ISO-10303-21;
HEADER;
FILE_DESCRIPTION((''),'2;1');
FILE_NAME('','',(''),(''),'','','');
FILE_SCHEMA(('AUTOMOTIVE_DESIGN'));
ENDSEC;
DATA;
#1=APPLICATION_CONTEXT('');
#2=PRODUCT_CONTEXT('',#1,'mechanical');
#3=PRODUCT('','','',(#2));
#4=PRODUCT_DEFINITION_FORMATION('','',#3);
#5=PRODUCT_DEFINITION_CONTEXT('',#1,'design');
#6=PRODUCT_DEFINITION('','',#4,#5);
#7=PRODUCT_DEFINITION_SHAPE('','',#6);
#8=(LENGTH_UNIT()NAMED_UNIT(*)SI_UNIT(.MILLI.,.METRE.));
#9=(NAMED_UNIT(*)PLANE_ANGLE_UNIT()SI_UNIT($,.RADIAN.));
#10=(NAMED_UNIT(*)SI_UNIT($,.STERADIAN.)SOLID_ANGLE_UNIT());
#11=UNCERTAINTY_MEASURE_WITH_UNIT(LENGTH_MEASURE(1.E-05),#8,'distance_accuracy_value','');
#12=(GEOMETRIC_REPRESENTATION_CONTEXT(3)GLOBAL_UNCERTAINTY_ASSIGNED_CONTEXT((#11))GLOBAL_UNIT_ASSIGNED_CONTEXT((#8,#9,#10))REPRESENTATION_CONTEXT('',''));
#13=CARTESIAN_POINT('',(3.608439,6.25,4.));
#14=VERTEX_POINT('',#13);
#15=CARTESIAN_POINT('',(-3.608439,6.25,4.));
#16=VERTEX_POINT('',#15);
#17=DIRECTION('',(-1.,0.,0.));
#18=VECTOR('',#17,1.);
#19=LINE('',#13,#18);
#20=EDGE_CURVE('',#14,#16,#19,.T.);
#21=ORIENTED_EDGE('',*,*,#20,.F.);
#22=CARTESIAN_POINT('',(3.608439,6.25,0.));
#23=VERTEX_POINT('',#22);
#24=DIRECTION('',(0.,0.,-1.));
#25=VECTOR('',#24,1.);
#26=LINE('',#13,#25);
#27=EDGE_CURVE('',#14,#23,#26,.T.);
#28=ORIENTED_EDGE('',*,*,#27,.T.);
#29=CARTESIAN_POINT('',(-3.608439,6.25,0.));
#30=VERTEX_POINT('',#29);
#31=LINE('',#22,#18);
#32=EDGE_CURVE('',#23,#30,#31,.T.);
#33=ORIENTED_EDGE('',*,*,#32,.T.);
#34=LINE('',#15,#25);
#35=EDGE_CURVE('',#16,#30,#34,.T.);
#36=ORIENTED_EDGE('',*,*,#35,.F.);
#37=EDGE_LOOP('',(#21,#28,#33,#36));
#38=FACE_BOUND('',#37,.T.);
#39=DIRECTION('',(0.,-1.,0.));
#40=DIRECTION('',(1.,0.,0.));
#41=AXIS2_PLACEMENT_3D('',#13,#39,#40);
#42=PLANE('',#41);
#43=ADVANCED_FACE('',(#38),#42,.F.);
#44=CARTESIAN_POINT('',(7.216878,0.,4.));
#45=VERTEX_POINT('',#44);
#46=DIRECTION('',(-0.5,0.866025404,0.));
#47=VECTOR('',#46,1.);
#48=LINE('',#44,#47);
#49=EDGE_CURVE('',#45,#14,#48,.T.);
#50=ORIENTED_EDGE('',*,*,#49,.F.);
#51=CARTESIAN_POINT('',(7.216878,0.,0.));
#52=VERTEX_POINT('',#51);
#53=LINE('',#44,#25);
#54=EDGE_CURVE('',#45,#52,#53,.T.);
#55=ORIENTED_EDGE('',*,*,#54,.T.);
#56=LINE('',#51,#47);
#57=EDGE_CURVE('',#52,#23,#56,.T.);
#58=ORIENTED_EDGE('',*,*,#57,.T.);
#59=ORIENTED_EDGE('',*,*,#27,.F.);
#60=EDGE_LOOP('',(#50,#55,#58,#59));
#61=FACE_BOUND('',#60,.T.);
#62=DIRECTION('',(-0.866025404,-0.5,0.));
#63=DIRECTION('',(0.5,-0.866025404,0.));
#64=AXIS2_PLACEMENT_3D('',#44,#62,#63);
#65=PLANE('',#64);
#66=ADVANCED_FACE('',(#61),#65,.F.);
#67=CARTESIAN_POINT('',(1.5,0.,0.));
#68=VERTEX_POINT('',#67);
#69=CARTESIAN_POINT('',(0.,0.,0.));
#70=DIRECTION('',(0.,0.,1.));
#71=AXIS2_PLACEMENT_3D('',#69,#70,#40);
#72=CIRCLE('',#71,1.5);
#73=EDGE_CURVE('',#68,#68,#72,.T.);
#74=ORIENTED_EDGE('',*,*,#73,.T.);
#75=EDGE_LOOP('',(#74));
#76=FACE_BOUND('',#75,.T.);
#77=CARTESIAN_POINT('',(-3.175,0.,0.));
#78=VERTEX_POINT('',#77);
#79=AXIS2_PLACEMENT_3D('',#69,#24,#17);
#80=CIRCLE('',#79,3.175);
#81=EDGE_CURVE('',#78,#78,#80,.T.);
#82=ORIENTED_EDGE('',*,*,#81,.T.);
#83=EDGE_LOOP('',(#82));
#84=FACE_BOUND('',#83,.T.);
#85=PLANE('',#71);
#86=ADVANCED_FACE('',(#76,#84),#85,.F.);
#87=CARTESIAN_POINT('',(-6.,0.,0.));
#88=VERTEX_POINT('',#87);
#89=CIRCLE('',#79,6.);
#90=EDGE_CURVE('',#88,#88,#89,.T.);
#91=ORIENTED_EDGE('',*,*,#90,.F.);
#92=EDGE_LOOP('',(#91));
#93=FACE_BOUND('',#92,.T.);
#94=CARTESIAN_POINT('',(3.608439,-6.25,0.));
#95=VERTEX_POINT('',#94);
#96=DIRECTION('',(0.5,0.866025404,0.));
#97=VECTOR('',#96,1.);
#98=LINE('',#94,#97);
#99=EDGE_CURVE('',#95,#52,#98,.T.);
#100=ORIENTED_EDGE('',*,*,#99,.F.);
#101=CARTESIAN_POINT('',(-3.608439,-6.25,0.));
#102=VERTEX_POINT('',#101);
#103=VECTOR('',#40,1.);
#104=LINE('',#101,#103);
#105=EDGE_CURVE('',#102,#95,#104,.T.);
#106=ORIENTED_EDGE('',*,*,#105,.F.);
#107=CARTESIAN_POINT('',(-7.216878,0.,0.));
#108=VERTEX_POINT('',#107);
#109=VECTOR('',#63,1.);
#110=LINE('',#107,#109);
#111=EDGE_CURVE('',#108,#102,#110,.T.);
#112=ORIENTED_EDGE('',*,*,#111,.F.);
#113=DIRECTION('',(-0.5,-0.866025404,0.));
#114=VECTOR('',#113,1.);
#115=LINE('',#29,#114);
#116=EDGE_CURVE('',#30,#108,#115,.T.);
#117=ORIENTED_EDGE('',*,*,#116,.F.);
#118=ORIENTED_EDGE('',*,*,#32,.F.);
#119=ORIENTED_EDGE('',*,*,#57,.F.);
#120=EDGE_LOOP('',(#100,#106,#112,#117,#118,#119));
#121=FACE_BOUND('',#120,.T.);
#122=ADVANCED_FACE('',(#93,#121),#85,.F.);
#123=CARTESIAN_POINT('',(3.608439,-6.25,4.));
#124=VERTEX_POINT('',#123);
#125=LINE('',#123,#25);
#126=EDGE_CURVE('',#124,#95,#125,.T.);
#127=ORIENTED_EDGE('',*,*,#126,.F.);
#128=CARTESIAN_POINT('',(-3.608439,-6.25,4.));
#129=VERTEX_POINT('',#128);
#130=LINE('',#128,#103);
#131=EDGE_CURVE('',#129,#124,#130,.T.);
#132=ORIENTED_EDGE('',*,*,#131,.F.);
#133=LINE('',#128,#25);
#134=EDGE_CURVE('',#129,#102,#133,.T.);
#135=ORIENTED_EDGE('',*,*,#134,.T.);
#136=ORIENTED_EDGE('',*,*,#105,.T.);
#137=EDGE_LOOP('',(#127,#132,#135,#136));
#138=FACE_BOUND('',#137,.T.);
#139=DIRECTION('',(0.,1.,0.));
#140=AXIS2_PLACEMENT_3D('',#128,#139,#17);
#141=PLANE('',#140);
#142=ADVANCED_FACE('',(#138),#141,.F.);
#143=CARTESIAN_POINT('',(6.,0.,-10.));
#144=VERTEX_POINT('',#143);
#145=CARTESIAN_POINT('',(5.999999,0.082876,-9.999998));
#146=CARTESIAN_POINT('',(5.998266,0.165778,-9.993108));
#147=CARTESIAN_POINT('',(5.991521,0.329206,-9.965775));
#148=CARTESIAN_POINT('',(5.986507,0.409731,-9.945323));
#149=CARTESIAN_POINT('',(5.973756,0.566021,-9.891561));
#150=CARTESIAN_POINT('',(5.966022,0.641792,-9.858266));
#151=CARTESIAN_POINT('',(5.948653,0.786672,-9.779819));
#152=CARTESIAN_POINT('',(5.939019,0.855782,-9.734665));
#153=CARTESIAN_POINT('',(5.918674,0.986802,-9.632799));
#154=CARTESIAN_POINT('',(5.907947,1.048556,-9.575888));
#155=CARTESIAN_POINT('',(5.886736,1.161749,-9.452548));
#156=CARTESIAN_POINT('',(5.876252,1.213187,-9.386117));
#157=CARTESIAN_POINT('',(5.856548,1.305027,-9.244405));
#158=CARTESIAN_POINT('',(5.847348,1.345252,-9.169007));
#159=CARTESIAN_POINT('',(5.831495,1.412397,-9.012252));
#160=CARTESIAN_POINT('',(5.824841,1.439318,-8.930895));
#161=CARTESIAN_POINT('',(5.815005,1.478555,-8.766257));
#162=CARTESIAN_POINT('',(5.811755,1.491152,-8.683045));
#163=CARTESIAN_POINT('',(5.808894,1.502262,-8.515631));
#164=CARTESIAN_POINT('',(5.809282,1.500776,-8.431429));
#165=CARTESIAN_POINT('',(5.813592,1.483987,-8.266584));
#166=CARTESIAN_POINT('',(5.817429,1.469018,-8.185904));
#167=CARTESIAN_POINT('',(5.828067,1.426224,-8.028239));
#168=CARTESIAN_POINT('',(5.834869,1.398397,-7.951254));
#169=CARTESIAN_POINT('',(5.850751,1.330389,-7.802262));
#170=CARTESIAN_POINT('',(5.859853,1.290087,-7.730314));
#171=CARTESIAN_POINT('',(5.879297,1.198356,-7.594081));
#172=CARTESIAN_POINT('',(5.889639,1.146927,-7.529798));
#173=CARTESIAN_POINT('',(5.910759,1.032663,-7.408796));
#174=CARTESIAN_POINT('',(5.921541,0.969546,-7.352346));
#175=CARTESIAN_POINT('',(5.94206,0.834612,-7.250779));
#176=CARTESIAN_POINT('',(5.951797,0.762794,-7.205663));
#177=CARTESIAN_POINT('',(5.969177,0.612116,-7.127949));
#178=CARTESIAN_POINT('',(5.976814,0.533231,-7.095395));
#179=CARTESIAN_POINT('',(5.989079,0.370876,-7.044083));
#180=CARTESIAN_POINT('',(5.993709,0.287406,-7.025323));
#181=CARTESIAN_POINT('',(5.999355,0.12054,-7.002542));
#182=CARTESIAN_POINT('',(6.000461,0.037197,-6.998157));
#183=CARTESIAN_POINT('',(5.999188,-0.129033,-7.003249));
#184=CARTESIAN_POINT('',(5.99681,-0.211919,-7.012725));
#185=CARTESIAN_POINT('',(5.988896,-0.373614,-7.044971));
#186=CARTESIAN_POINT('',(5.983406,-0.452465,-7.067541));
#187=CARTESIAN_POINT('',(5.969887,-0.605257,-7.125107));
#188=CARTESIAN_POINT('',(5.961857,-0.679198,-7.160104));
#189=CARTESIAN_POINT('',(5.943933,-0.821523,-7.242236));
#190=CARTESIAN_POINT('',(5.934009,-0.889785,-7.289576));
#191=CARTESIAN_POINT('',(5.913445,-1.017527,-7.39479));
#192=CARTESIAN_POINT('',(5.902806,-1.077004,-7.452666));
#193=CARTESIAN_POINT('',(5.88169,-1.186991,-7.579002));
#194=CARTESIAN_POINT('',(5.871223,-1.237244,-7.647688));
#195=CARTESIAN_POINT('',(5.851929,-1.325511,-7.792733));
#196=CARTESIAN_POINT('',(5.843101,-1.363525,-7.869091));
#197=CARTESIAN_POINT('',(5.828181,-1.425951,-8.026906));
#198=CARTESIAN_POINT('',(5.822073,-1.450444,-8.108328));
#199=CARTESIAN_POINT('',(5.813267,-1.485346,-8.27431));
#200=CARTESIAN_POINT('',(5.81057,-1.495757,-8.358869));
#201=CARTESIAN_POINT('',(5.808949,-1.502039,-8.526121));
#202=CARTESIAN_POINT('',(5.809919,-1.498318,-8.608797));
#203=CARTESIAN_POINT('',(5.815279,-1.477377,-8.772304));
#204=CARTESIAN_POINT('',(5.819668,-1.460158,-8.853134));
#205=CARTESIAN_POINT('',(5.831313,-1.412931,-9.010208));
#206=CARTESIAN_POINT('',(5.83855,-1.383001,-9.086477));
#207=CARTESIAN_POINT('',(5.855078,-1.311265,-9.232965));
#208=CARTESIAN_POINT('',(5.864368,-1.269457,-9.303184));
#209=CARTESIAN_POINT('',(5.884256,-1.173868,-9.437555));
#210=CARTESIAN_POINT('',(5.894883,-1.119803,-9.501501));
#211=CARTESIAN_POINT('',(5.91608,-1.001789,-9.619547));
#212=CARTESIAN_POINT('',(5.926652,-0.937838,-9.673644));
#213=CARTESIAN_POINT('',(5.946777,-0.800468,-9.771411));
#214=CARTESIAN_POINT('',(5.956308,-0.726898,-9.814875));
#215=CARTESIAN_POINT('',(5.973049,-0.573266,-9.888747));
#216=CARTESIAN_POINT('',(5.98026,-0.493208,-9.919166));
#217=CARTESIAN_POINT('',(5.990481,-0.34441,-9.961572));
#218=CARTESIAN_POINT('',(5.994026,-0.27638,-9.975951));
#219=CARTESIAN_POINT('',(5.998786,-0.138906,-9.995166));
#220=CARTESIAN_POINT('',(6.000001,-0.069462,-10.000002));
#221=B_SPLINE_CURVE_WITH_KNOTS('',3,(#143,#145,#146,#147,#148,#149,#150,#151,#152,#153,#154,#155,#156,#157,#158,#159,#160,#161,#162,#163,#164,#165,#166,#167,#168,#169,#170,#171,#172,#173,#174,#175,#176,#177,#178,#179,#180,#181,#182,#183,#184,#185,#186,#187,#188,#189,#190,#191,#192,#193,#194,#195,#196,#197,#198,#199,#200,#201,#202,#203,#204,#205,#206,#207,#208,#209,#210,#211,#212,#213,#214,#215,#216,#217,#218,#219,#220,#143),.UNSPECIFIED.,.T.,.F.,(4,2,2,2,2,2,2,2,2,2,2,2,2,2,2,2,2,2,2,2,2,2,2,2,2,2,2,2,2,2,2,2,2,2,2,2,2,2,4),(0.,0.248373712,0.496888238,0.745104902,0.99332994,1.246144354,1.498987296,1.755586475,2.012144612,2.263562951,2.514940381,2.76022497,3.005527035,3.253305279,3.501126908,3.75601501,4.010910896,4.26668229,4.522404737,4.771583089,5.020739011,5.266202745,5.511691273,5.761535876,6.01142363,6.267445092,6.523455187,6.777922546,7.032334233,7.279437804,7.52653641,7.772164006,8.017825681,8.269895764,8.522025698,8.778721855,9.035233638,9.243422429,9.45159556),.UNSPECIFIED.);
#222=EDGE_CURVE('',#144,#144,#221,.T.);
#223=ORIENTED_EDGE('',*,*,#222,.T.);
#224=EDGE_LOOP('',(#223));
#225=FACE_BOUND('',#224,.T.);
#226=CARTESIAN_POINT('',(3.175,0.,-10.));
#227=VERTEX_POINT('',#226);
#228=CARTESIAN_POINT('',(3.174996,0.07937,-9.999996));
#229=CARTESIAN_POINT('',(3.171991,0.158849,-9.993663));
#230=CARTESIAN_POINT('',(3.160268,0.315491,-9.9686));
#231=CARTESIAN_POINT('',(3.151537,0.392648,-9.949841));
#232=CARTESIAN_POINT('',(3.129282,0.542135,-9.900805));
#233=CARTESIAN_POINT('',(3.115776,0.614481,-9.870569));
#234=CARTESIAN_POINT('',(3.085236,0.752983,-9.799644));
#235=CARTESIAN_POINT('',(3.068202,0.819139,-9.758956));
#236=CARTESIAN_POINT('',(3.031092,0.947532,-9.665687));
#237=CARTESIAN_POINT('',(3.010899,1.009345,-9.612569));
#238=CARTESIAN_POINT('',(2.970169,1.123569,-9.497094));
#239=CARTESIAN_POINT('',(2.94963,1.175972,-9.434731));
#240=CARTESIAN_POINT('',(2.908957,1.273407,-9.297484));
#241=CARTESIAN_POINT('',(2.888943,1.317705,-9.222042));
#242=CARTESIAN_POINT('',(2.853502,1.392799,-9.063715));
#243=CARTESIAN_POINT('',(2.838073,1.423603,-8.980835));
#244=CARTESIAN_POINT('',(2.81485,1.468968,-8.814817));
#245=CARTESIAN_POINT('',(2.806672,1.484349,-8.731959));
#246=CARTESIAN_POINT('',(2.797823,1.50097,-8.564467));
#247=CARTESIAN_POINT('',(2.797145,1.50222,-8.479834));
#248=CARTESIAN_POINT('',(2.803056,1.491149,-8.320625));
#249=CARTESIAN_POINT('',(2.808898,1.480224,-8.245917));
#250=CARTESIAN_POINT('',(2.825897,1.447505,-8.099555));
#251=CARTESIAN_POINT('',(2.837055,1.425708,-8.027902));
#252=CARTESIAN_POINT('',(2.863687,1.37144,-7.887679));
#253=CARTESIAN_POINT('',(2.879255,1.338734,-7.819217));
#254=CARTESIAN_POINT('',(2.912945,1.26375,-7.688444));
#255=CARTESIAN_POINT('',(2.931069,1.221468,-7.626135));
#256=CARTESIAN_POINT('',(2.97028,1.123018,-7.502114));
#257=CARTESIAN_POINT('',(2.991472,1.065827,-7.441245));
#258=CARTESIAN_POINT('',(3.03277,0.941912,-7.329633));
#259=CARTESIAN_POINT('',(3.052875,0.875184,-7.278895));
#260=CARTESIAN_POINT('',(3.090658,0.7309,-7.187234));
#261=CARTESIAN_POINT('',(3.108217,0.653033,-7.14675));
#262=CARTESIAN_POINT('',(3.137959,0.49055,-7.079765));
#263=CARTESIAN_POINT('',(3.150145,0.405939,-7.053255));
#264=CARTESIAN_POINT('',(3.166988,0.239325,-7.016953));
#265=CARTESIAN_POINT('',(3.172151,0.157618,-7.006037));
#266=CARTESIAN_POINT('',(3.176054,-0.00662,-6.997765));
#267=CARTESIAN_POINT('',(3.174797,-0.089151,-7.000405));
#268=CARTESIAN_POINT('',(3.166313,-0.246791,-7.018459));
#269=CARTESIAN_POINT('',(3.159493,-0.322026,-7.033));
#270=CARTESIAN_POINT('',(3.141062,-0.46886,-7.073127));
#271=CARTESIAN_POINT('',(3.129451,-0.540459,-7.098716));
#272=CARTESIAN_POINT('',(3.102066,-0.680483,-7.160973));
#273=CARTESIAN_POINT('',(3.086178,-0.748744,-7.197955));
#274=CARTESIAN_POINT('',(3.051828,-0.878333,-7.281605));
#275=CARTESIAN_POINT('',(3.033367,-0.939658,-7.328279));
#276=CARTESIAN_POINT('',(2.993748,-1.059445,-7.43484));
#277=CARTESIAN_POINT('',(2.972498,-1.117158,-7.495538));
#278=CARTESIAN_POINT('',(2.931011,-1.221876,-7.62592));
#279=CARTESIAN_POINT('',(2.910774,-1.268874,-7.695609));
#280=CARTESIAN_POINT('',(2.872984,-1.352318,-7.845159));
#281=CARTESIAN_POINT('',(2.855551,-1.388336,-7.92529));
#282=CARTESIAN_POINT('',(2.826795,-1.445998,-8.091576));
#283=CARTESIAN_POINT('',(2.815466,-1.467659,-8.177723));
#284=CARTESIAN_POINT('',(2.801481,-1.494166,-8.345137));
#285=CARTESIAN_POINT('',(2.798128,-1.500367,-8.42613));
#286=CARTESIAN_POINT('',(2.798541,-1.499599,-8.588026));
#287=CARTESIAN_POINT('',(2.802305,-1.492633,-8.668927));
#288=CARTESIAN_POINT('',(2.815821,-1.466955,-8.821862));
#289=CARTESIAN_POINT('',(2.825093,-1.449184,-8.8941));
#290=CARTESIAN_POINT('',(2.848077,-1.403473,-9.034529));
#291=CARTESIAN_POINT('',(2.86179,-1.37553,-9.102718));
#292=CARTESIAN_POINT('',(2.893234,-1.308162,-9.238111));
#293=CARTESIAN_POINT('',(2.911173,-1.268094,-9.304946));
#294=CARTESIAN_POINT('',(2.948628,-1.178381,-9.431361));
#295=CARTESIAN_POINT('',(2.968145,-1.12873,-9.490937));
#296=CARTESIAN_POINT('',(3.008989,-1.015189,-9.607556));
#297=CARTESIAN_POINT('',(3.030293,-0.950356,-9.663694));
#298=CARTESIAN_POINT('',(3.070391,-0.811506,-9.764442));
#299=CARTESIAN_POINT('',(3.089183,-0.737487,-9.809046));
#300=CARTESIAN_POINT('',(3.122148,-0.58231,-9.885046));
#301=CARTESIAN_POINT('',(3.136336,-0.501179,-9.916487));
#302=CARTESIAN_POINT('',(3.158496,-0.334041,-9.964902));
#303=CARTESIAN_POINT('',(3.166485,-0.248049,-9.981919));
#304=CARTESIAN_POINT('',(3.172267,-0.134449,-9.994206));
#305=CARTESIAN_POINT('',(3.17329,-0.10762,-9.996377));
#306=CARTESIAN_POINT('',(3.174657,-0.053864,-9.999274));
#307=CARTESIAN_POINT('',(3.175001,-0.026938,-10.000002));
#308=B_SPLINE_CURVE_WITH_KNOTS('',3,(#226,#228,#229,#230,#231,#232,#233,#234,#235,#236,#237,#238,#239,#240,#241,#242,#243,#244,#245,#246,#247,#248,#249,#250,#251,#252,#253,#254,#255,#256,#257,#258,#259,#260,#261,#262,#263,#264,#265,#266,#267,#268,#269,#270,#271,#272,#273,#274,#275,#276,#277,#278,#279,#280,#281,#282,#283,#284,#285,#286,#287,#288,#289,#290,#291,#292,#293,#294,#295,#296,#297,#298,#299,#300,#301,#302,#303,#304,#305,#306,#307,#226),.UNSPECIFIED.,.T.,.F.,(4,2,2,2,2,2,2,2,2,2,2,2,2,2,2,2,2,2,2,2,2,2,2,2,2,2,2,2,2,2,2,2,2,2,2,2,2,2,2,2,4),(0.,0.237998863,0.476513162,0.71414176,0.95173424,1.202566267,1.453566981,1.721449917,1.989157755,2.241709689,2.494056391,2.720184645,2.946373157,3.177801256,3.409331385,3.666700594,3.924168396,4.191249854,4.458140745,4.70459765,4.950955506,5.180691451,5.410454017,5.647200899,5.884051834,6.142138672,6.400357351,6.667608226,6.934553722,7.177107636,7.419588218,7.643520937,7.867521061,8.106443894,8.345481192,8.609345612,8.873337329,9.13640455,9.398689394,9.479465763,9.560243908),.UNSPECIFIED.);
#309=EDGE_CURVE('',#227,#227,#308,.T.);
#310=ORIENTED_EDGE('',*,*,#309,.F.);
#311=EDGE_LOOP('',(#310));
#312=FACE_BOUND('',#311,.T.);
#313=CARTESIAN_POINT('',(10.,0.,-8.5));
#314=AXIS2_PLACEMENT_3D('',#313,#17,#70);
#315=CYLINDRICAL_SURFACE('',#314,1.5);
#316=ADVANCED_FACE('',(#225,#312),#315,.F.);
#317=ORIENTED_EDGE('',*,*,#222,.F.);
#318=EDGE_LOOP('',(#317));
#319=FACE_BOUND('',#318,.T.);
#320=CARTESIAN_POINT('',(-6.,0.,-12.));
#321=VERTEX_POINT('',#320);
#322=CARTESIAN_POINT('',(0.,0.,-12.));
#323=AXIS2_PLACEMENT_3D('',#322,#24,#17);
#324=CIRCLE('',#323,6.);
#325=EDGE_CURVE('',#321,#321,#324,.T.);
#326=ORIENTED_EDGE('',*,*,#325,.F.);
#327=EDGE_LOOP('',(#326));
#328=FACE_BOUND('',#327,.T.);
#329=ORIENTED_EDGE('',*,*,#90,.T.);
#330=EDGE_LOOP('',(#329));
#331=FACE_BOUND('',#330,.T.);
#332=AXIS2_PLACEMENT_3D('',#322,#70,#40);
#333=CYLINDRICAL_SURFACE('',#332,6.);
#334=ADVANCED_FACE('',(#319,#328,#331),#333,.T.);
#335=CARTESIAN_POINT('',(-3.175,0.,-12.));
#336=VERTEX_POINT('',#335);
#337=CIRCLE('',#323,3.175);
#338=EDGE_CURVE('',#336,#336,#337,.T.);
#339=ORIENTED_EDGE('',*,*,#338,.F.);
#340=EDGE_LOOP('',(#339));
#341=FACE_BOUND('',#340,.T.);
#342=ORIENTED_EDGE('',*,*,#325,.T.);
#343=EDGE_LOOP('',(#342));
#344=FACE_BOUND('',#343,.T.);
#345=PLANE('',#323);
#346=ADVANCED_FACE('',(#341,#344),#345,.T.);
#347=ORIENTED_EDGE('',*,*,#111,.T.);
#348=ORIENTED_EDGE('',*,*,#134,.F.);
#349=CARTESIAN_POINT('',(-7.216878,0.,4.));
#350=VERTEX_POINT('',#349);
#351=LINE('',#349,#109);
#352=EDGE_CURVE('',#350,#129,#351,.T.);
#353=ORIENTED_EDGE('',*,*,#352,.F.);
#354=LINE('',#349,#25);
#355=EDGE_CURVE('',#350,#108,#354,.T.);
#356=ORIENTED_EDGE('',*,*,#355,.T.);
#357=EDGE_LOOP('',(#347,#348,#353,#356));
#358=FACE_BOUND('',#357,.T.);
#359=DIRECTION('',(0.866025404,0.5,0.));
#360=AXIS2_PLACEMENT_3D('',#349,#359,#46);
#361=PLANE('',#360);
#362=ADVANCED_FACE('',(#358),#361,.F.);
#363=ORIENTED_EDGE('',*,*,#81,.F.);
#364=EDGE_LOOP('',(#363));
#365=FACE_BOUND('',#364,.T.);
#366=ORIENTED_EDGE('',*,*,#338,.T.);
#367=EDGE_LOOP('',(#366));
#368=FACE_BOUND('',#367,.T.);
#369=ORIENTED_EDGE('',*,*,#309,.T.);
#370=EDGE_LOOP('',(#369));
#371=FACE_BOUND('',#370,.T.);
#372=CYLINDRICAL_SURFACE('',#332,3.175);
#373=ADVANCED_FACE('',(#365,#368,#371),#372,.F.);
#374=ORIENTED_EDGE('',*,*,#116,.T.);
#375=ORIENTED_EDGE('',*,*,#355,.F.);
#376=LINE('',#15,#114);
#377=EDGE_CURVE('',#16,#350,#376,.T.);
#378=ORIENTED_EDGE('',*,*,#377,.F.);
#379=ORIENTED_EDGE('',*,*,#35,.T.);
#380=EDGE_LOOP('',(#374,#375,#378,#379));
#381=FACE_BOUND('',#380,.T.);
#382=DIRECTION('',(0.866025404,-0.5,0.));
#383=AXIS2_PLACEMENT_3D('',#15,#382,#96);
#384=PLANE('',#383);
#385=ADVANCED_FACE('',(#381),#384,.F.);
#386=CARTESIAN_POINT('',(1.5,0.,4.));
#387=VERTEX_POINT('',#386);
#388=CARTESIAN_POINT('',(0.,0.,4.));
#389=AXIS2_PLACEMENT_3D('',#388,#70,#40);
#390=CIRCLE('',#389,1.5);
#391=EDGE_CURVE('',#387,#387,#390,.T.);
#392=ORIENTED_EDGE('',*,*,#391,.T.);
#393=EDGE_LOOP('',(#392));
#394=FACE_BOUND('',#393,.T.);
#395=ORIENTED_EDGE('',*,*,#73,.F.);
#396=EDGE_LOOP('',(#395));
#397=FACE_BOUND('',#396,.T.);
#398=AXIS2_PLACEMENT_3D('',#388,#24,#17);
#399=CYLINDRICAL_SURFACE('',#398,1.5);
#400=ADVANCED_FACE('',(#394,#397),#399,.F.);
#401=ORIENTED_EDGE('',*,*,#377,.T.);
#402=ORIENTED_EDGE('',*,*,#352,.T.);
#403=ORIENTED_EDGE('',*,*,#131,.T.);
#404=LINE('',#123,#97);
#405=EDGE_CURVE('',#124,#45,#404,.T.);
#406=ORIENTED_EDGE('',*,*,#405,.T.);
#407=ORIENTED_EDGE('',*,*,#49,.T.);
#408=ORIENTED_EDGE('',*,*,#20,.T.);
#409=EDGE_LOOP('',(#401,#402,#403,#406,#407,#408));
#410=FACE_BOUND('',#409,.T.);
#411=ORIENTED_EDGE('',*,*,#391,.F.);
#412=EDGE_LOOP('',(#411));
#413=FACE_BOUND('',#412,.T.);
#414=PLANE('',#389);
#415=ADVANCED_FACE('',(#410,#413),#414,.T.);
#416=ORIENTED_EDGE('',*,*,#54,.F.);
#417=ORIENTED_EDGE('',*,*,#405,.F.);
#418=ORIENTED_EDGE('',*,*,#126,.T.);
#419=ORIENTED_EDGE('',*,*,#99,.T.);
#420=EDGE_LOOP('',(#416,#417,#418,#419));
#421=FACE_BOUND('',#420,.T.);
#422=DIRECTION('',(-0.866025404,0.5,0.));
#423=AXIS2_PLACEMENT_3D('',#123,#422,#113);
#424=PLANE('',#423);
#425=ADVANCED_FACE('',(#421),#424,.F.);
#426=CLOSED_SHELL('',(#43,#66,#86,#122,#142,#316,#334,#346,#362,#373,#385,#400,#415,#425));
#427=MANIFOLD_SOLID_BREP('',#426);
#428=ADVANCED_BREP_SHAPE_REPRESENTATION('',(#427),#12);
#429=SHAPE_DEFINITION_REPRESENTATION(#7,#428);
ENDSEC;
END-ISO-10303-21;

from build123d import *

# Parameters (mm, degrees)
CROQUIS2_R              = 1.5
SALIENTE_EXTRUIR1_DEPTH = 4
CROQUIS3_R              = 6
CROQUIS3_R_2            = 3.175
SALIENTE_EXTRUIR2_DEPTH = 12
CROQUIS4_R              = 1.5
CORTAR_EXTRUIR1_DEPTH   = 10


with BuildPart() as part:
    # Croquis2 → Saliente-Extruir1 (new body)
    with BuildSketch(Plane.XY):
        Polygon((3.608439182, 6.25), (-3.608439182, 6.25), (-7.216878365, 0), (-3.608439182, -6.25), (3.608439182, -6.25), (7.216878365, 0), align=None)
        Circle(CROQUIS2_R, mode=Mode.SUBTRACT)
    extrude(amount=SALIENTE_EXTRUIR1_DEPTH)

    # Croquis3 → Saliente-Extruir2 (add)
    with BuildSketch(Plane(origin=(0, 0, 0), x_dir=(-1, 0, 0), z_dir=(0, 0, -1))):
        Circle(CROQUIS3_R)
        Circle(CROQUIS3_R_2, mode=Mode.SUBTRACT)
    extrude(amount=SALIENTE_EXTRUIR2_DEPTH)

    # Croquis4 → Cortar-Extruir1 (cut)
    with BuildSketch(Plane(origin=(0, 0, 0), x_dir=(0, 0, -1), z_dir=(1, 0, 0))):
        with Locations((8.5, 0)):
            Circle(CROQUIS4_R)
    extrude(amount=CORTAR_EXTRUIR1_DEPTH, mode=Mode.SUBTRACT)


solid = part.part
